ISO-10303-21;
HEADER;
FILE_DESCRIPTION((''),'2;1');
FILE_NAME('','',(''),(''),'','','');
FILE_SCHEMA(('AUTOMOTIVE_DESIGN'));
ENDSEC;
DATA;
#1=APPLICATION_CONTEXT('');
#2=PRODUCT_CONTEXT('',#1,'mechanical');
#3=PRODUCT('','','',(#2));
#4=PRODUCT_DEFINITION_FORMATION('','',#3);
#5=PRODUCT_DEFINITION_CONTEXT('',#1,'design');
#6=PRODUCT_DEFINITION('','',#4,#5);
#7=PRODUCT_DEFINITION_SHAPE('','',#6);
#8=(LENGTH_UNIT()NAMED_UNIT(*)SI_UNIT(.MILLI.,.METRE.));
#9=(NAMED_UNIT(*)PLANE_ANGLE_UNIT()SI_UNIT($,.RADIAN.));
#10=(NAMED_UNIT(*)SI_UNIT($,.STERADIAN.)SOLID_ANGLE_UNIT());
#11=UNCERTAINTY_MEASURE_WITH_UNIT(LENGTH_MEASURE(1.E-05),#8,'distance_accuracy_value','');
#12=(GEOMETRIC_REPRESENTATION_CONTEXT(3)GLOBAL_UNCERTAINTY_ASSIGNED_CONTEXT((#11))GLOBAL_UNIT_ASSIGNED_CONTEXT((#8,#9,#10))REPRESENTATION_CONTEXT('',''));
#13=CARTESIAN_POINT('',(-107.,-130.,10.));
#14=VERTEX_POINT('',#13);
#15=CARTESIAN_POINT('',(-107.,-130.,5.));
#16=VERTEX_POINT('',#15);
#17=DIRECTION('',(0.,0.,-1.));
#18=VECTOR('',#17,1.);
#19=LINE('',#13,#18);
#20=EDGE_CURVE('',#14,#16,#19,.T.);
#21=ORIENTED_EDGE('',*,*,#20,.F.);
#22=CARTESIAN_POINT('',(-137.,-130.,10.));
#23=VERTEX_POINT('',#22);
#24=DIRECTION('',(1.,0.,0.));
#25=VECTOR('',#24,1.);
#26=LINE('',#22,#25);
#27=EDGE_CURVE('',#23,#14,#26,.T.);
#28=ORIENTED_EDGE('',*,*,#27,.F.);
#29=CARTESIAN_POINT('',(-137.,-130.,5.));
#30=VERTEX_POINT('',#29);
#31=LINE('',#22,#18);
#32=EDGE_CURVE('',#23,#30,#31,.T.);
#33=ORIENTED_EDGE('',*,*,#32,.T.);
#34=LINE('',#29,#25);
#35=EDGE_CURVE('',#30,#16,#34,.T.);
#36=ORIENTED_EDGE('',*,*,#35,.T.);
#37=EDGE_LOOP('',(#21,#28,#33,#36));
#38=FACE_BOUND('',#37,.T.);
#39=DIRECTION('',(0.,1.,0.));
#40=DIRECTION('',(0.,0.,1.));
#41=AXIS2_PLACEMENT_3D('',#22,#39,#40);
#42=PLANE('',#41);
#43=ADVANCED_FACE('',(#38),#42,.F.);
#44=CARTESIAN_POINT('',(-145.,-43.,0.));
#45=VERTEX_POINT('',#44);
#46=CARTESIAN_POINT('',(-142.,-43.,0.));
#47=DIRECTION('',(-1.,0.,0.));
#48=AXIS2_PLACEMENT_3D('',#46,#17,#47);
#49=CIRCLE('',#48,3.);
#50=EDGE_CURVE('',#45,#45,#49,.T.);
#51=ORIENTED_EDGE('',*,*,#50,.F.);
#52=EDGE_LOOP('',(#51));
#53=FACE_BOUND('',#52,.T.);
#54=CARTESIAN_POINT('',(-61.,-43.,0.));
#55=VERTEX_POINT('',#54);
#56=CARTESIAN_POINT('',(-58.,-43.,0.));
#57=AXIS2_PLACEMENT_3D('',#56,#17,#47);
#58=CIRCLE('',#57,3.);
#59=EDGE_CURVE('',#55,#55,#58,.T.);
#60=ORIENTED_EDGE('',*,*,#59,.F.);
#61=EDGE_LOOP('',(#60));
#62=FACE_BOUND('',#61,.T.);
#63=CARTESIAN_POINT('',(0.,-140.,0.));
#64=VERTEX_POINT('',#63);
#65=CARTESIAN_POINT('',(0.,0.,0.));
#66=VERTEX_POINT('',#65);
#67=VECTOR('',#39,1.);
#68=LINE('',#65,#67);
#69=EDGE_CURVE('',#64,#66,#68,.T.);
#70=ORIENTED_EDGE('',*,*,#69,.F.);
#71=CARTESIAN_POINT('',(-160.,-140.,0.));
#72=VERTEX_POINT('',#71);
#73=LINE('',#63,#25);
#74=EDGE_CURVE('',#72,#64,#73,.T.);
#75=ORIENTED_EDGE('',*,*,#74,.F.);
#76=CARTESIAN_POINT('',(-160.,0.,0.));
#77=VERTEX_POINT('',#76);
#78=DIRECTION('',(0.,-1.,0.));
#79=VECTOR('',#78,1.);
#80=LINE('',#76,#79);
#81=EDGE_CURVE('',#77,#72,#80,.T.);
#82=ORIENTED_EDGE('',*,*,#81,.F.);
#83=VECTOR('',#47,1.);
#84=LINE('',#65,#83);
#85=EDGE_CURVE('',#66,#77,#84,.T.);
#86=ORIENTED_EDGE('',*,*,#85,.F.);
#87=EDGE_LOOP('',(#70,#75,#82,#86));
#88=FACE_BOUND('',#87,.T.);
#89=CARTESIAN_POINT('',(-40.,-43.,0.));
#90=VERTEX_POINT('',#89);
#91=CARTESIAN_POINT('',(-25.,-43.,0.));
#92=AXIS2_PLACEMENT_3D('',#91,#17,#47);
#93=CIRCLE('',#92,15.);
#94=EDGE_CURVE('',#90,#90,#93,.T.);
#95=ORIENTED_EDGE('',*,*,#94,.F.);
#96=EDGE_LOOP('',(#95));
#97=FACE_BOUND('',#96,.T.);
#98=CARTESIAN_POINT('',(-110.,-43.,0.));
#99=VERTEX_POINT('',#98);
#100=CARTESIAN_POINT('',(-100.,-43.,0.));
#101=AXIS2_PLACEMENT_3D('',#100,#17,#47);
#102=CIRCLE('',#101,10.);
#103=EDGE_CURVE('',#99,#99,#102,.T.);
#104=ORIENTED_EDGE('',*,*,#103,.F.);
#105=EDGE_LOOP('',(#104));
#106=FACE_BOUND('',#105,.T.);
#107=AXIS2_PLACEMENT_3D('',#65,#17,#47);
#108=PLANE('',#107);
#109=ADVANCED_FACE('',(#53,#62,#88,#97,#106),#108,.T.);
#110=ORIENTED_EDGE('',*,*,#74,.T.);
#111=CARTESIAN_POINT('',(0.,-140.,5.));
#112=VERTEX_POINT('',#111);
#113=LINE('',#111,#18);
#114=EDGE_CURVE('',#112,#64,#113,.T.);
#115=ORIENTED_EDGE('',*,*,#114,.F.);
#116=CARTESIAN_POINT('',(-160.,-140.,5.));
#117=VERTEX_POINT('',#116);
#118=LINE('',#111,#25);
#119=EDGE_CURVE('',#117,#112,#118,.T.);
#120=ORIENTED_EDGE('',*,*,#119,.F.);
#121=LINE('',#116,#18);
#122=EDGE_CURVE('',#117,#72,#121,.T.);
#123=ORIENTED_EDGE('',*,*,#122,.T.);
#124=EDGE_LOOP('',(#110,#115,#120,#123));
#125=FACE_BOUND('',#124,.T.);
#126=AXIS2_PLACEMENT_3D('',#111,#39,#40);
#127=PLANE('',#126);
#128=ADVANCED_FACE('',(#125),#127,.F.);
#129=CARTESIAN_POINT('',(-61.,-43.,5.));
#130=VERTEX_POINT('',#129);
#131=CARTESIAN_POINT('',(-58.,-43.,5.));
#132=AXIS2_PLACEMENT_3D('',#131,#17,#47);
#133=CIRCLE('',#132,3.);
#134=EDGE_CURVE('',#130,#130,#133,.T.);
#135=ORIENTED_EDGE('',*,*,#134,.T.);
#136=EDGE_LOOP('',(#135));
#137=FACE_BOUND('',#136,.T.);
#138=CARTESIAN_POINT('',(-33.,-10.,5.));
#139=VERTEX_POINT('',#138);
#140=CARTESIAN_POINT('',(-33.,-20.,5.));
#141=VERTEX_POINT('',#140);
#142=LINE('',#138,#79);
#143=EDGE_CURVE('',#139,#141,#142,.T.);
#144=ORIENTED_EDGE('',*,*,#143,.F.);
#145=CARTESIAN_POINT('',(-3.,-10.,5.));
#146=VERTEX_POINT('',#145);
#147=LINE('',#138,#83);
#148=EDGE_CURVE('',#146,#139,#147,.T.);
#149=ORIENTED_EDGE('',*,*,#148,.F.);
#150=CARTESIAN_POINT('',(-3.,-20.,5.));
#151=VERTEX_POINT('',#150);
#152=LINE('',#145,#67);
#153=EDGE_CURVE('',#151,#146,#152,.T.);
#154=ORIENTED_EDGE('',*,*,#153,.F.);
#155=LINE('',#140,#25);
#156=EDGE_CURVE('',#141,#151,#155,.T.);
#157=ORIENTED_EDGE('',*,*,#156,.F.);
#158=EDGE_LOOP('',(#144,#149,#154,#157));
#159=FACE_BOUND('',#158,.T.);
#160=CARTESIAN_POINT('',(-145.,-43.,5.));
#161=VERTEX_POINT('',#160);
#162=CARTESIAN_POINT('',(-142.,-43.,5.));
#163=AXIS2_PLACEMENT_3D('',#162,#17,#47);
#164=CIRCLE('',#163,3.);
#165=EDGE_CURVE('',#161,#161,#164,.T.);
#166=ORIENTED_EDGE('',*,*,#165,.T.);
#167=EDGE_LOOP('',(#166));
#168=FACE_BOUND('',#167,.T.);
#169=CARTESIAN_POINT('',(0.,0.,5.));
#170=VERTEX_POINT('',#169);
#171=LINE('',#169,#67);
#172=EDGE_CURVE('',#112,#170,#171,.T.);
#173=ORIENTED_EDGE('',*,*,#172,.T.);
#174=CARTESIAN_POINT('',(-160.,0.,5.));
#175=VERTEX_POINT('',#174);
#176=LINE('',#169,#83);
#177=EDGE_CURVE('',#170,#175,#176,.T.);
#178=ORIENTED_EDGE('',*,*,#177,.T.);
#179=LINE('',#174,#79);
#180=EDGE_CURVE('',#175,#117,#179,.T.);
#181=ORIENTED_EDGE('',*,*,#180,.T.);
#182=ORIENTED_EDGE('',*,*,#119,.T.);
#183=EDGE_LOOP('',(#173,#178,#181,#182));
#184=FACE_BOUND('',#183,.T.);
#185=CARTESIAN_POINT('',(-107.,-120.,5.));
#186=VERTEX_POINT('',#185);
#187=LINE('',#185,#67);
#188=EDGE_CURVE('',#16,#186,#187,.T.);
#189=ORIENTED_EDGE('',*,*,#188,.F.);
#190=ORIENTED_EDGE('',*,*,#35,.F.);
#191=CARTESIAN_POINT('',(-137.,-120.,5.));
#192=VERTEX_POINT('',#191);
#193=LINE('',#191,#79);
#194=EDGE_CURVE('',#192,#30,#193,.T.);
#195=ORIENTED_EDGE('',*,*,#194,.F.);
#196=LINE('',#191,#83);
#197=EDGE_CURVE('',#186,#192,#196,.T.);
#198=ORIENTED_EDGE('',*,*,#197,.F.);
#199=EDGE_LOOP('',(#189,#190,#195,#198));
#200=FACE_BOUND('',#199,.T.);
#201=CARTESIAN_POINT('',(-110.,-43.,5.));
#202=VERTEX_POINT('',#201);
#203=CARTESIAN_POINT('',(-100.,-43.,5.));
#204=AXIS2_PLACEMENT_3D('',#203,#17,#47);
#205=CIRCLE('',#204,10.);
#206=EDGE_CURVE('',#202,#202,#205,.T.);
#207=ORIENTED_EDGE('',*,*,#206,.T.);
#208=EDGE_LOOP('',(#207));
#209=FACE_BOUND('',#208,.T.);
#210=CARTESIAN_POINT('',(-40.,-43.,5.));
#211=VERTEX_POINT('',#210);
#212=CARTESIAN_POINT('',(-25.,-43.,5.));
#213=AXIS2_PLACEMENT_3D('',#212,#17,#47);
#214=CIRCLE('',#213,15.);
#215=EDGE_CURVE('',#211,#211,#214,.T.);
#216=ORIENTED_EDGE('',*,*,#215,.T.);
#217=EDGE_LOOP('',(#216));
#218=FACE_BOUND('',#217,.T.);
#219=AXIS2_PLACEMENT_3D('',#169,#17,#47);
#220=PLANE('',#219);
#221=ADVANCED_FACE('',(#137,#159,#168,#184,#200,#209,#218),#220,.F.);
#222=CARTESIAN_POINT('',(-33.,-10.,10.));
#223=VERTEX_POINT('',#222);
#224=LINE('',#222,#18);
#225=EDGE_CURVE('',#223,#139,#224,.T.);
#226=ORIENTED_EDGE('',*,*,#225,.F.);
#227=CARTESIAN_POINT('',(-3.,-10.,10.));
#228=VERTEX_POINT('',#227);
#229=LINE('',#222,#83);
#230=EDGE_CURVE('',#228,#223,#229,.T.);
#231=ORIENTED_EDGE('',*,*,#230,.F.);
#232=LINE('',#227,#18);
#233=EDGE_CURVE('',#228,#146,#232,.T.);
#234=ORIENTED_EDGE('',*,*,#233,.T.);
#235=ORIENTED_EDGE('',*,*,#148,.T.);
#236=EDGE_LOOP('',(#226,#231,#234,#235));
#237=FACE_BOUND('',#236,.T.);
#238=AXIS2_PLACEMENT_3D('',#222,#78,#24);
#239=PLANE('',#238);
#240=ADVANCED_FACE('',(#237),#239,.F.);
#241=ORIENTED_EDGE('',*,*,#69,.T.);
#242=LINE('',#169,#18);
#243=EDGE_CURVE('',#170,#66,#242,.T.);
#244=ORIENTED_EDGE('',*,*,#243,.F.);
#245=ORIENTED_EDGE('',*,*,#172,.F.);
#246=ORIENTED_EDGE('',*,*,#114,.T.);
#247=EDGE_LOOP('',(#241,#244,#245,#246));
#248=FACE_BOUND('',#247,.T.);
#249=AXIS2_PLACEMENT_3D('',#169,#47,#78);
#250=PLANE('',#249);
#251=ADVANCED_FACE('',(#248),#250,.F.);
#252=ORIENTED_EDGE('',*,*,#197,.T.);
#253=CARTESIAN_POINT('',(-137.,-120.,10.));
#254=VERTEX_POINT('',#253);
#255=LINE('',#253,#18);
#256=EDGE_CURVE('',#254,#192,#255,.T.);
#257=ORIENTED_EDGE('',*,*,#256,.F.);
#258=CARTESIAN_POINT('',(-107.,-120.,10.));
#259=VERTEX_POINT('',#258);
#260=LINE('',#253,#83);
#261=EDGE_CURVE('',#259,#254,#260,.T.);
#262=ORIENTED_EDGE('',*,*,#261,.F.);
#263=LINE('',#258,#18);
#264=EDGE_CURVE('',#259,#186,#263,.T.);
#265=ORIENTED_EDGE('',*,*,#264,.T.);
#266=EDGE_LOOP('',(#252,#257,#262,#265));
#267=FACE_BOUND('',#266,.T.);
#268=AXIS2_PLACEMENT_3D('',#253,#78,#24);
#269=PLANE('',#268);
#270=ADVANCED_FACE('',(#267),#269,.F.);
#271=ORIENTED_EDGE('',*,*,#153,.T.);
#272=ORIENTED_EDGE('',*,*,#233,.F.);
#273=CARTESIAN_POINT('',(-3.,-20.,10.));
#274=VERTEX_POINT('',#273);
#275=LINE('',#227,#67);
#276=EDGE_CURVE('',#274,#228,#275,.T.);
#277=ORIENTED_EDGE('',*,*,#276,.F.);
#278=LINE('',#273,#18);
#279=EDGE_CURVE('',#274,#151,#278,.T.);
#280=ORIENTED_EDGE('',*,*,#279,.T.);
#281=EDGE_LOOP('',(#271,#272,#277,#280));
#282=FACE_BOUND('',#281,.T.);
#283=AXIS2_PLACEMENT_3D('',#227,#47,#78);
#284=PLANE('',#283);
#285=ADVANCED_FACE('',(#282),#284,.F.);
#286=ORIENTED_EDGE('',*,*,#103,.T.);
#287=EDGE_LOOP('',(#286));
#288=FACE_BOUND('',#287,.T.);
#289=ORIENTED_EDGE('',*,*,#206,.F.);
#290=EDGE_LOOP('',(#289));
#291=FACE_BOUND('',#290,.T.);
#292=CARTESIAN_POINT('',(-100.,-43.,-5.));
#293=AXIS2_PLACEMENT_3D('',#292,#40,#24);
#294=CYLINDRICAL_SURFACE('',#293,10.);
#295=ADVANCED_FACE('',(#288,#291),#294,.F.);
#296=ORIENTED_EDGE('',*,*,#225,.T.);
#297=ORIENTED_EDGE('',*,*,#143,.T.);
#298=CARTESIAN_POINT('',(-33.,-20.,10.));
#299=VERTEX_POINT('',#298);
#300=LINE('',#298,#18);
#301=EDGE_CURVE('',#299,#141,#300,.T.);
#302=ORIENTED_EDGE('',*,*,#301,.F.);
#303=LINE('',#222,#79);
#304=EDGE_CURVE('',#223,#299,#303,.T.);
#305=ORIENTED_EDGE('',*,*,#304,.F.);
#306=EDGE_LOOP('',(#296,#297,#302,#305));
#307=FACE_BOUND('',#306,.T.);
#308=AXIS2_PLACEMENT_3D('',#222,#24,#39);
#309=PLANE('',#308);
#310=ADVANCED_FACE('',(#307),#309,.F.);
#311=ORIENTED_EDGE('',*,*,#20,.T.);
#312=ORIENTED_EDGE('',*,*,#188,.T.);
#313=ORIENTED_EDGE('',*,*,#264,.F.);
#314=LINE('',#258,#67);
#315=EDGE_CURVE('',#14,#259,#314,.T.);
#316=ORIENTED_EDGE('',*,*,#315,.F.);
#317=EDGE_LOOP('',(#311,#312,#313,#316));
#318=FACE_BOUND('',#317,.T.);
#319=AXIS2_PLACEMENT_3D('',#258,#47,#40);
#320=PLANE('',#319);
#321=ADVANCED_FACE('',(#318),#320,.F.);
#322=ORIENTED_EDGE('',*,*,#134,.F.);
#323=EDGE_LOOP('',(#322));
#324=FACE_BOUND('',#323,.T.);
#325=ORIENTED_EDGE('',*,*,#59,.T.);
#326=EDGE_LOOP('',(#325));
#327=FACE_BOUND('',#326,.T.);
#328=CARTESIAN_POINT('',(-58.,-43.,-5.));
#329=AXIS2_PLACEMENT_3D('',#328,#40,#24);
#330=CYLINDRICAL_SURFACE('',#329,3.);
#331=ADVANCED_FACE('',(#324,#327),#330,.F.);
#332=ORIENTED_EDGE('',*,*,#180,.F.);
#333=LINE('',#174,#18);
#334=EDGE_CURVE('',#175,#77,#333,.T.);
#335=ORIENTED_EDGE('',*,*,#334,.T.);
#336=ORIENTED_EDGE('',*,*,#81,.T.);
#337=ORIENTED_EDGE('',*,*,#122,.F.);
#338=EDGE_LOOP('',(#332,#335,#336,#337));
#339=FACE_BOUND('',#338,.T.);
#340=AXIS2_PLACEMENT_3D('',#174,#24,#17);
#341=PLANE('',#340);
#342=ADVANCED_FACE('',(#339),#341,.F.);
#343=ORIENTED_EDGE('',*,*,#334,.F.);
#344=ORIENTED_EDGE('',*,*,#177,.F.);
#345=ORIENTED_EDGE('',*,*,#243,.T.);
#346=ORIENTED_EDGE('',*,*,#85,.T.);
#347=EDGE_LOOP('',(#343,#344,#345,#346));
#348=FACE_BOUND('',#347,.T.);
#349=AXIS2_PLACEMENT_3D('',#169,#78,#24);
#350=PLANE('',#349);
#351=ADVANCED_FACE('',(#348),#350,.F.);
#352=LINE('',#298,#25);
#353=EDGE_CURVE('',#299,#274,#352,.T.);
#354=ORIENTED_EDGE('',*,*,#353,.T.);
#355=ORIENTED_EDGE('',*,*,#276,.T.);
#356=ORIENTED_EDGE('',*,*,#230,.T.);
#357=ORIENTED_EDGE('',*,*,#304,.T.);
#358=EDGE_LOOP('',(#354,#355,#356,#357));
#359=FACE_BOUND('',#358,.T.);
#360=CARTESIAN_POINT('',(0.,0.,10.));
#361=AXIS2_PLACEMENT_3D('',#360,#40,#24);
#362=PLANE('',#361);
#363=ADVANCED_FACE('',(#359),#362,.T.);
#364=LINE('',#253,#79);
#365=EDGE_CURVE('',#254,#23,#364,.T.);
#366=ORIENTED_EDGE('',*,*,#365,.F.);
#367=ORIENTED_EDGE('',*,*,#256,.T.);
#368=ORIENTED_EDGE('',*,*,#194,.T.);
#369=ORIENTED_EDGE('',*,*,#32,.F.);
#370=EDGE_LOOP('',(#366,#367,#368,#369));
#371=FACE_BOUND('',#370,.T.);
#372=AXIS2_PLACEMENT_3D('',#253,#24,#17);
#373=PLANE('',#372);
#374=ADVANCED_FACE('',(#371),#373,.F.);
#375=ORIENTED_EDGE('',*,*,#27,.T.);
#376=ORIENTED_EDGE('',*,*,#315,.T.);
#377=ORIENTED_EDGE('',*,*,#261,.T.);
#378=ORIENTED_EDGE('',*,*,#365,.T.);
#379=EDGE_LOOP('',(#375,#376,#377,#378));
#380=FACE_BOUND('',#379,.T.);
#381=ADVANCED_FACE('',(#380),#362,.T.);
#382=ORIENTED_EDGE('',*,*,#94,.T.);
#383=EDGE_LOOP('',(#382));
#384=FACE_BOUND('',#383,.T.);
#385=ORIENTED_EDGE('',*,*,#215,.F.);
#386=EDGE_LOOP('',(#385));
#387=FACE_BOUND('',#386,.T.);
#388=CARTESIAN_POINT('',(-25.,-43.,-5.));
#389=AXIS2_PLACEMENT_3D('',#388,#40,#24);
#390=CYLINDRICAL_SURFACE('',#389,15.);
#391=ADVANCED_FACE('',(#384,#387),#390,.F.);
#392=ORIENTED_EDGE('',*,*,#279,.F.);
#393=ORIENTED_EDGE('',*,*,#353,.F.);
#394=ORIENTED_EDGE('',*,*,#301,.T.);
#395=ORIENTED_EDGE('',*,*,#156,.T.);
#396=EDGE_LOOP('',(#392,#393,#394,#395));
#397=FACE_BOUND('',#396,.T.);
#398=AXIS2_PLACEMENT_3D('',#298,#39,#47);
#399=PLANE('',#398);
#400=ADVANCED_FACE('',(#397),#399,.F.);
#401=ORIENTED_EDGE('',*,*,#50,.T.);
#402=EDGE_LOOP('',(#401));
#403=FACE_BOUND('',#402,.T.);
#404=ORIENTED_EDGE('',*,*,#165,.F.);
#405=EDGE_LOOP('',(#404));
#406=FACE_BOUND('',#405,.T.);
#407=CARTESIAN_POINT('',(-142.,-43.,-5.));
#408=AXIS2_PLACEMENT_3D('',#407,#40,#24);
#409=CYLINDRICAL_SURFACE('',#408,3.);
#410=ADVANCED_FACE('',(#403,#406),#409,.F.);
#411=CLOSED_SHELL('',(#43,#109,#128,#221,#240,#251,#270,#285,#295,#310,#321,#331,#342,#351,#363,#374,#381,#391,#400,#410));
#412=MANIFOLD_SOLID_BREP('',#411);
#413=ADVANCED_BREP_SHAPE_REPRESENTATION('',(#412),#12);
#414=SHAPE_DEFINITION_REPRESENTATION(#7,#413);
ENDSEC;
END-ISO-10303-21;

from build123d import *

# Parameters (mm, degrees)
SKETCH1_W           = 160
SKETCH1_H           = 140
BOSS_EXTRUDE1_DEPTH = 5
SKETCH2_W           = 30
SKETCH2_H           = 10
BOSS_EXTRUDE2_DEPTH = 5
SKETCH4_R           = 3
SKETCH4_R_2         = 10
SKETCH4_R_3         = 15
CUT_EXTRUDE1_DEPTH  = 15


with BuildPart() as part:
    # Sketch1 → Boss-Extrude1 (new body)
    with BuildSketch(Plane.XY):
        with Locations((-80, -70)):
            Rectangle(SKETCH1_W, SKETCH1_H)
    extrude(amount=BOSS_EXTRUDE1_DEPTH)

    # Sketch2 → Boss-Extrude2 (add)
    with BuildSketch(Plane.XY.offset(5)):
        with Locations((-18, -15)):
            Rectangle(SKETCH2_W, SKETCH2_H)
        with Locations((-122, -125)):
            Rectangle(SKETCH2_W, SKETCH2_H)
    extrude(amount=BOSS_EXTRUDE2_DEPTH)

    # Sketch4 → Cut-Extrude1 (cut)
    with BuildSketch(Plane.XY.offset(10)):
        with Locations(Location((-142, -43, 0), (0, 0, 180))):
            Circle(SKETCH4_R)
        with Locations(Location((-100, -43, 0), (0, 0, 180))):
            Circle(SKETCH4_R_2)
        with Locations(Location((-58, -43, 0), (0, 0, 180))):
            Circle(SKETCH4_R)
        with Locations(Location((-25, -43, 0), (0, 0, 180))):
            Circle(SKETCH4_R_3)
    extrude(amount=-CUT_EXTRUDE1_DEPTH, mode=Mode.SUBTRACT)


solid = part.part
